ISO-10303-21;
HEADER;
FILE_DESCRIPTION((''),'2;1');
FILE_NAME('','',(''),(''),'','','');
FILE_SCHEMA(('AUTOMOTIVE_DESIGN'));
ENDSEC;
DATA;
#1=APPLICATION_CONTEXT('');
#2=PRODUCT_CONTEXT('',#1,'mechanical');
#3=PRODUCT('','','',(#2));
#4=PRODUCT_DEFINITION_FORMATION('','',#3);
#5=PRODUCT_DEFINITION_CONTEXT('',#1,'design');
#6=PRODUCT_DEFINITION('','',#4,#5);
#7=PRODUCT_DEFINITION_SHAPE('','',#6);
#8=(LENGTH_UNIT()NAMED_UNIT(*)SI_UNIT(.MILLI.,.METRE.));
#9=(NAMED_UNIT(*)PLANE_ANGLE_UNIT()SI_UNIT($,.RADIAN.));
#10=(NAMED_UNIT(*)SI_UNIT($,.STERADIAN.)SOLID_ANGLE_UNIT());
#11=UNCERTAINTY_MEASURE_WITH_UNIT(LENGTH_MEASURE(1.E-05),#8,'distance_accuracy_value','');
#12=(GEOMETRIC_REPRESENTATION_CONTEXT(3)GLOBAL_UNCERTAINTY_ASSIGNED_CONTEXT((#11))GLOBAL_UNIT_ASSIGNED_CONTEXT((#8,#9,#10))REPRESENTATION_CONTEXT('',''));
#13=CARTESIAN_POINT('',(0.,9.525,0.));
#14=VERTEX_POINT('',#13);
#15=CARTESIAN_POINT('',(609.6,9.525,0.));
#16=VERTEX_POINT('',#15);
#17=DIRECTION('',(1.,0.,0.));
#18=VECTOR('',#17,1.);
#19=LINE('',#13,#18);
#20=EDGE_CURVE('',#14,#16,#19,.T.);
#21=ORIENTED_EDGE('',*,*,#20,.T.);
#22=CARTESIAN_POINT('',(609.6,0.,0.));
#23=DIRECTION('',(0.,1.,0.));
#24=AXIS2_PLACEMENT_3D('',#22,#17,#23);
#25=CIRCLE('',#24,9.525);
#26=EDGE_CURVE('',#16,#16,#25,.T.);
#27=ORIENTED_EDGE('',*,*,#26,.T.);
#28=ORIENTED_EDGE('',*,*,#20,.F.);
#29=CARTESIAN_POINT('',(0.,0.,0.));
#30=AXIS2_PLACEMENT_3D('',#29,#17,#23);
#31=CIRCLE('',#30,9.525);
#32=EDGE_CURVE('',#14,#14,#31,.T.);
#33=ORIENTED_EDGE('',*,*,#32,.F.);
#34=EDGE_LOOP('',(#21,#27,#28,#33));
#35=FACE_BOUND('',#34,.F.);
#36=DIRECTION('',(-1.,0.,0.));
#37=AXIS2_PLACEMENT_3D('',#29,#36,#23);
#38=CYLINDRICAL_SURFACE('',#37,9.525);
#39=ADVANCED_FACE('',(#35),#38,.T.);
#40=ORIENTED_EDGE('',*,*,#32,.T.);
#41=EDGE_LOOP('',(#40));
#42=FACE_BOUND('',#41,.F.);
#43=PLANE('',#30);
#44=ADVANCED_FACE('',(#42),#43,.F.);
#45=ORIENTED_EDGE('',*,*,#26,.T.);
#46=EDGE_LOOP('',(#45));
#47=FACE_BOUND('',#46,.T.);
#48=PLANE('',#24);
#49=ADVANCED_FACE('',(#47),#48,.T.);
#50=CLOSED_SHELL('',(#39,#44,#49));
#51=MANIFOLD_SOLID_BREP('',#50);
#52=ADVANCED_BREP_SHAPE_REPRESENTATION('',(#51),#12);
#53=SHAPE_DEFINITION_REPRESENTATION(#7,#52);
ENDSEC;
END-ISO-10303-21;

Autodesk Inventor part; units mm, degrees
ref_plane "YZ Plane" through (0, 0, 0) normal (1, 0, 0) x (0, 1, 0)
ref_plane "XZ Plane" through (0, 0, 0) normal (0, 1, 0) x (-1, 0, 0)
ref_plane "XY Plane" through (0, 0, 0) normal (0, 0, 1) x (1, 0, 0)
sketch "Sketch1" plane through (0, 0, 0) normal (1, 0, 0) x (0, 1, 0)
  circle A0 centre (0, 0) radius 9.525
  dimension "d0" = 19.05
extrude "Extrusion1" add sketch "Sketch1" along normal blind 609.6
properties part number "roller"
